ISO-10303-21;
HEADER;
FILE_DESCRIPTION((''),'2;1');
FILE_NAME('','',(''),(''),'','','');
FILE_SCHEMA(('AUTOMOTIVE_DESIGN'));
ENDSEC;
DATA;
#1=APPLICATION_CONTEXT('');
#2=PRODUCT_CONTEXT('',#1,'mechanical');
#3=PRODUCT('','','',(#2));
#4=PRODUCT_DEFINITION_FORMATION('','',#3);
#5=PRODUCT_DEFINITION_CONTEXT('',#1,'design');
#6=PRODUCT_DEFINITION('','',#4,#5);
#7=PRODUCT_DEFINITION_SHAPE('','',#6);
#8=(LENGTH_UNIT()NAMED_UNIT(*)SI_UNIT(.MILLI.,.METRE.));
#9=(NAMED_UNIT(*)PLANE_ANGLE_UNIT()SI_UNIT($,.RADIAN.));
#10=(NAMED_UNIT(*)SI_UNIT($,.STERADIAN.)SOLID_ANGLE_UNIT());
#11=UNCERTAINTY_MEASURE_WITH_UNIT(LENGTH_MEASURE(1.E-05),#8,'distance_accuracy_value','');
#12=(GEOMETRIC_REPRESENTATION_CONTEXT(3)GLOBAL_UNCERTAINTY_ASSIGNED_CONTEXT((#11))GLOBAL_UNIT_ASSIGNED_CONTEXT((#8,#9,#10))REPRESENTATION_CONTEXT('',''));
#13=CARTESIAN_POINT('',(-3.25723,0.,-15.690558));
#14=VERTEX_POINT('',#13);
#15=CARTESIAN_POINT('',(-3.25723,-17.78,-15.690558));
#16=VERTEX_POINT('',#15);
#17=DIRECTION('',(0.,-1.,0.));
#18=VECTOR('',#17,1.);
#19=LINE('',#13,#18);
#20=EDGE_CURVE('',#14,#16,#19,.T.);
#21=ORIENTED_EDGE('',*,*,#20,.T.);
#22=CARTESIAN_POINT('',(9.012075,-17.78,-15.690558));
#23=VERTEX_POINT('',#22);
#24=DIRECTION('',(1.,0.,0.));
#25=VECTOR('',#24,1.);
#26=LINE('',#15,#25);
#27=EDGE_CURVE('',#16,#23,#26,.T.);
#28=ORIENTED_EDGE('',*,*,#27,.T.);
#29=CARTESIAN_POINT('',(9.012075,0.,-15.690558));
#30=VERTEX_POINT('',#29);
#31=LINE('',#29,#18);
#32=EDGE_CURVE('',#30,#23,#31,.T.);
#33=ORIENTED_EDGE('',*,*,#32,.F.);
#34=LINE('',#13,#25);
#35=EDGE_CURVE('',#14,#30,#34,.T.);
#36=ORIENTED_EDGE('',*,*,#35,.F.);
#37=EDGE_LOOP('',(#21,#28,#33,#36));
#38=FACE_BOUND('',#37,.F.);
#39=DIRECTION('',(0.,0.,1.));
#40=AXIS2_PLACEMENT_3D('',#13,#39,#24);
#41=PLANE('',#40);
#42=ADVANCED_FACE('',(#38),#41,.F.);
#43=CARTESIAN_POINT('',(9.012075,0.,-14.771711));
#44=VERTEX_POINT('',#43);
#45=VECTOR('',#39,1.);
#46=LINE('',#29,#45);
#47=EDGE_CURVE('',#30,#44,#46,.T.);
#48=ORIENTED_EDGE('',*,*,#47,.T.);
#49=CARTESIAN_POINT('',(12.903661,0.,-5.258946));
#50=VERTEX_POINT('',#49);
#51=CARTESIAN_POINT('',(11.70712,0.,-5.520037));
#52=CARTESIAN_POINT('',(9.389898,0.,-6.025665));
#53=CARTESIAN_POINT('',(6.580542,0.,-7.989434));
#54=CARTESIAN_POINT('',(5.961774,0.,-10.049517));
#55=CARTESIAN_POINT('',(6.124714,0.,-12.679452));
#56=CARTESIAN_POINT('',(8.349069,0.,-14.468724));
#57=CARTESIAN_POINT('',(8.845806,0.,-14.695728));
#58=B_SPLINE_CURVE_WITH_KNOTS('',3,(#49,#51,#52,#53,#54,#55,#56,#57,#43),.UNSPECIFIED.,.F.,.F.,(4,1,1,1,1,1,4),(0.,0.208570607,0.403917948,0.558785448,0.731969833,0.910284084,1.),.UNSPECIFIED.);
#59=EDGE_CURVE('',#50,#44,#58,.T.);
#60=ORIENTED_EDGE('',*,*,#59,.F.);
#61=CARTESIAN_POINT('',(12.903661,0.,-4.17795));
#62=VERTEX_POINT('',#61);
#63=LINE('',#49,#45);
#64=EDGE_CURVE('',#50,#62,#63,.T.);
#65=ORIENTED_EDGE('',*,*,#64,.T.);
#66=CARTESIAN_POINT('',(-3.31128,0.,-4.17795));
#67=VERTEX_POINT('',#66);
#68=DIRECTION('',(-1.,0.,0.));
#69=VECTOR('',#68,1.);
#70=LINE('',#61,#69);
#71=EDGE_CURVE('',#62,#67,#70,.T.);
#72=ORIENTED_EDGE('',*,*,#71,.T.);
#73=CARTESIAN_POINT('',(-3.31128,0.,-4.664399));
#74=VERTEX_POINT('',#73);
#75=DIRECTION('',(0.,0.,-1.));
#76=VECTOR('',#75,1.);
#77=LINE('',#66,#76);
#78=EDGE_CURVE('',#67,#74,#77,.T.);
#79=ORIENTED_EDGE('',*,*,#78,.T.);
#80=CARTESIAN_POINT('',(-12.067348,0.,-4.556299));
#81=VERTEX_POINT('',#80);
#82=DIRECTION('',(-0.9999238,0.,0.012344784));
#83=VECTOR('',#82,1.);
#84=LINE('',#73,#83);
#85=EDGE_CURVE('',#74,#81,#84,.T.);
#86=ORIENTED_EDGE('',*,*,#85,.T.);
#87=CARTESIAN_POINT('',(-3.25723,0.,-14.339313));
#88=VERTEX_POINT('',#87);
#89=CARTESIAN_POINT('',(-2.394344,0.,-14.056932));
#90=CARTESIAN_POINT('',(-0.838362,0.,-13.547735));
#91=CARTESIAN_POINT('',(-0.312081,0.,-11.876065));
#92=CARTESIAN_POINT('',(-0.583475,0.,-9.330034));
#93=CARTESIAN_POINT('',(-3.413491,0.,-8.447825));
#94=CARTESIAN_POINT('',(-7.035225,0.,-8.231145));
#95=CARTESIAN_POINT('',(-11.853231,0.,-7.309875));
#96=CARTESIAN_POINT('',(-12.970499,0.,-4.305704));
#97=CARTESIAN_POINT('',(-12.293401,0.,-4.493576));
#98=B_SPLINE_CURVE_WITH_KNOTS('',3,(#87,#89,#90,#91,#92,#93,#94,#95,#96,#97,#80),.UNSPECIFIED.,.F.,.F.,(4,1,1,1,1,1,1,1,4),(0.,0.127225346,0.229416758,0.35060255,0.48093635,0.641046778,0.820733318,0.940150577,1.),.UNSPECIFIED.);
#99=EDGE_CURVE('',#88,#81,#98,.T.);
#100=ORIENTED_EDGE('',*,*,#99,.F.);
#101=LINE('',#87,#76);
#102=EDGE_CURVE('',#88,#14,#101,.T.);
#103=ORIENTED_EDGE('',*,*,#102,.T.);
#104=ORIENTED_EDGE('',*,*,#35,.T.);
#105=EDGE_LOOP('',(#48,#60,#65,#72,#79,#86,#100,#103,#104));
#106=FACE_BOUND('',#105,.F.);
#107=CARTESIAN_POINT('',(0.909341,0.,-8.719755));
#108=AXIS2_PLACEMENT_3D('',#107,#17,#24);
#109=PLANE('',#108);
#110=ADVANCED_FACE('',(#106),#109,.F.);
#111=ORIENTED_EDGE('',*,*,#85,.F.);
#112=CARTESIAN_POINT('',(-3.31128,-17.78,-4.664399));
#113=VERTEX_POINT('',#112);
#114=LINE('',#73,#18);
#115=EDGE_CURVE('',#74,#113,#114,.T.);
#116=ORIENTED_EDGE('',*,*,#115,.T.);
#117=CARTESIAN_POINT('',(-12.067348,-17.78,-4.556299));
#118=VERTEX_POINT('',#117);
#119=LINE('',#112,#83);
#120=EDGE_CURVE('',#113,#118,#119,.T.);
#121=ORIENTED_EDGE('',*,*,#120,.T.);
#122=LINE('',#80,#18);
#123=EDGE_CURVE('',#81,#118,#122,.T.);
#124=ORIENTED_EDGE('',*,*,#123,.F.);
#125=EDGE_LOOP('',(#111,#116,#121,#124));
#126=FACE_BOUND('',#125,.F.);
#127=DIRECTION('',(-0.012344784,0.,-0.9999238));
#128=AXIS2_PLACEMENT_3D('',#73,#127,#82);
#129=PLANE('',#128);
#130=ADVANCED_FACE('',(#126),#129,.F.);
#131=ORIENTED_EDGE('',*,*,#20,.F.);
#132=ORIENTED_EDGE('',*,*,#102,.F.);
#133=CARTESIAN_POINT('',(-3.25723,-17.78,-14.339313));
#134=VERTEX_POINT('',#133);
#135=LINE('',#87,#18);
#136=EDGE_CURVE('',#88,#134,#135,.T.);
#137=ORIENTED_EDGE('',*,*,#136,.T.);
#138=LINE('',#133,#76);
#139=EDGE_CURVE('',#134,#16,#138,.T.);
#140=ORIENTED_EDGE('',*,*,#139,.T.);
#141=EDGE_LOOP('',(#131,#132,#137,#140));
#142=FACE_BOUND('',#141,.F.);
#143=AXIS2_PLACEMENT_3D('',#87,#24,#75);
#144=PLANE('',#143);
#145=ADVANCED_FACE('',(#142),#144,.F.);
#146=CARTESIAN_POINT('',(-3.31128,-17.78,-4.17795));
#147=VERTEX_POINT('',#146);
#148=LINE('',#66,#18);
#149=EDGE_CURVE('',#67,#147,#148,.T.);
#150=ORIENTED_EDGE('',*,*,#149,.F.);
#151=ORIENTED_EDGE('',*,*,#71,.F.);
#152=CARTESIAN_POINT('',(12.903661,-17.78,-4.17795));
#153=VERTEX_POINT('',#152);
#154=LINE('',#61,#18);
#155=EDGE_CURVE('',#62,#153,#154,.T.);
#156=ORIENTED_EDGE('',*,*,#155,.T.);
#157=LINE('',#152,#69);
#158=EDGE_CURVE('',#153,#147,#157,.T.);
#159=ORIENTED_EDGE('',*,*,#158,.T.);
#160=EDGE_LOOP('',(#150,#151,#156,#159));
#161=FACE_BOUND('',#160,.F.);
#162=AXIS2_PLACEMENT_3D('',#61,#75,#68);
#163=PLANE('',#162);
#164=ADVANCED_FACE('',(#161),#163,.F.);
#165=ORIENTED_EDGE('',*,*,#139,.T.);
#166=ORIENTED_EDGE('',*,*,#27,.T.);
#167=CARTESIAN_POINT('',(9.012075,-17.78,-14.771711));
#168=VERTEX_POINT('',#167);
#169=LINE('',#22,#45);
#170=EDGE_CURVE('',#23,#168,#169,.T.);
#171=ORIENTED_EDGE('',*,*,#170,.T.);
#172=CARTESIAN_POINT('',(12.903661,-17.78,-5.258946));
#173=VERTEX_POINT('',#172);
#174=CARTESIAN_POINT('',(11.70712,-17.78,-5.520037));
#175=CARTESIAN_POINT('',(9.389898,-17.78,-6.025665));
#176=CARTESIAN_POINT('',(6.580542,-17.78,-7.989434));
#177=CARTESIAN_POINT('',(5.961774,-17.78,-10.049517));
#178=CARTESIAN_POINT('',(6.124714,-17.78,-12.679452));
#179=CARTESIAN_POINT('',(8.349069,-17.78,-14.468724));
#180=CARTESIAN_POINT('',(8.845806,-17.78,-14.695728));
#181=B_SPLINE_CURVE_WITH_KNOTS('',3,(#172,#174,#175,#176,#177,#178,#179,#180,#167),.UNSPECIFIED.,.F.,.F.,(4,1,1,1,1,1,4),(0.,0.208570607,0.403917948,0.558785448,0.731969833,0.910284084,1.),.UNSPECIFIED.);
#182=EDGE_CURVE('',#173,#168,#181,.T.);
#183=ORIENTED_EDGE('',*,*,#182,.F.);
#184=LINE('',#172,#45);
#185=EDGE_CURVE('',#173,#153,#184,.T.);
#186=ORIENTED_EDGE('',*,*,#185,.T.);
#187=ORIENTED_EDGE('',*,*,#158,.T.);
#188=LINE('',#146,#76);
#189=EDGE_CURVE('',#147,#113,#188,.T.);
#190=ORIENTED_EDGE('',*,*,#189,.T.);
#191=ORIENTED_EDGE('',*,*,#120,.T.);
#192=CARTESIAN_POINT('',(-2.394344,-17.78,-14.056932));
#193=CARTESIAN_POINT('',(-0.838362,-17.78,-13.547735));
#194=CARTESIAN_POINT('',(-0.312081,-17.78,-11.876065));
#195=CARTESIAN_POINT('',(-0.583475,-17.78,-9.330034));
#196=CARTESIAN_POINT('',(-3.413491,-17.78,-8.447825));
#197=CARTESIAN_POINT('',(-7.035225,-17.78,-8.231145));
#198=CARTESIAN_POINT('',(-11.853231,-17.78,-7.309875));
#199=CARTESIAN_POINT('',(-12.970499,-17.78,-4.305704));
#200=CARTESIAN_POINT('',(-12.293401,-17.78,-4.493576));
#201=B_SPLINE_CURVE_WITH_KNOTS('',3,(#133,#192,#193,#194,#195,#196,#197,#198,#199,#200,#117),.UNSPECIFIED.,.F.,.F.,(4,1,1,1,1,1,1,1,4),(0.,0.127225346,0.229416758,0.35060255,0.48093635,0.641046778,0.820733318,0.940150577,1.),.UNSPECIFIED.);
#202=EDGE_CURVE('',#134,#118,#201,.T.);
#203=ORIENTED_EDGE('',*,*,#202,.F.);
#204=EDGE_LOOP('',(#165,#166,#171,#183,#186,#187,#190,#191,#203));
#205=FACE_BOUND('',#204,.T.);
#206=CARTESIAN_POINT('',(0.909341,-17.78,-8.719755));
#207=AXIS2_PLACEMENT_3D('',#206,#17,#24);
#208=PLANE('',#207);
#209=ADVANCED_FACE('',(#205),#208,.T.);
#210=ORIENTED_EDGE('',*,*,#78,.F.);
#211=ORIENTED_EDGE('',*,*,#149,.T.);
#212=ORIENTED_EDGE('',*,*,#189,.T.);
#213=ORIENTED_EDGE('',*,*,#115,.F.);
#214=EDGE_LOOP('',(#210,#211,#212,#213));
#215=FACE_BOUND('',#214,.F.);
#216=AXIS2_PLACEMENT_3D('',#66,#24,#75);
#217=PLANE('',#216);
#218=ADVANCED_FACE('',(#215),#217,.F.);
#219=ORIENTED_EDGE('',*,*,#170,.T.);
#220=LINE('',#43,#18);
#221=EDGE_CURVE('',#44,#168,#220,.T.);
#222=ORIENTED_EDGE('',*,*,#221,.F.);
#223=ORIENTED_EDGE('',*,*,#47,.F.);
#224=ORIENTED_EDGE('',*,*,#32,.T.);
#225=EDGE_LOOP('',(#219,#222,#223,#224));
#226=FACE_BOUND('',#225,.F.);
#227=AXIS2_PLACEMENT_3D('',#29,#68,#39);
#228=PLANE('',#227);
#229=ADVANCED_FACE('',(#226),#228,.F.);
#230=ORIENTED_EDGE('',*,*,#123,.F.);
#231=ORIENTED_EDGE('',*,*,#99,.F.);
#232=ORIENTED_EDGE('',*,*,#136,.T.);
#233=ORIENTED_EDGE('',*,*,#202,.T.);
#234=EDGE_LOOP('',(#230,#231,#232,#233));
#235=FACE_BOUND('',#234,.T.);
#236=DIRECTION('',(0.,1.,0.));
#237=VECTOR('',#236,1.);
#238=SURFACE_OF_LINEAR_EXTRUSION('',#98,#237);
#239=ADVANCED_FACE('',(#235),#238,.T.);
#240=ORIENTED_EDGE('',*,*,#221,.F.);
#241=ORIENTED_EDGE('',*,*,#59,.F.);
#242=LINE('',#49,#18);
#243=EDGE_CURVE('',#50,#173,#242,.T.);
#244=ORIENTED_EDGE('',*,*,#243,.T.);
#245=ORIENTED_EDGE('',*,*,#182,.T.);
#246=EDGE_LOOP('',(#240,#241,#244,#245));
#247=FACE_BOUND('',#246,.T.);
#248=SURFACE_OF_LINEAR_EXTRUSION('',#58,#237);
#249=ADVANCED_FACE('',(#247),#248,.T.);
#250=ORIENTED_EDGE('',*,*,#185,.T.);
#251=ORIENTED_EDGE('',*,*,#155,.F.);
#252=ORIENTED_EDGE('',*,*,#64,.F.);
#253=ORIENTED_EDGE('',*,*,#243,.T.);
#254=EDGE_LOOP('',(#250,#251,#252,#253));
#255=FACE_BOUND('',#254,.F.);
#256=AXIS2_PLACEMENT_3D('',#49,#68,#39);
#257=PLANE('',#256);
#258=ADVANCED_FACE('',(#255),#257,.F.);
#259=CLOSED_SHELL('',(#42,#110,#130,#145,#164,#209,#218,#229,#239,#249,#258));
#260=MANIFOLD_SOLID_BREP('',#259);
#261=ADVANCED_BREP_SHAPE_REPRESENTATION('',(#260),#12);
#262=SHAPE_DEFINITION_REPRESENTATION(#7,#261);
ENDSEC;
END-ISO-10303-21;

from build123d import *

# Parameters (mm, degrees)
F1_DEPTH = 17.78


with BuildPart() as f1:
    # F0 (on Front) → F1 (new body)
    with BuildSketch(Plane.XZ):
        with BuildLine():
            Line((12.9036614671, -4.1779503226), (-3.3112796955, -4.1779503226))
            Line((-3.3112796955, -4.1779503226), (-3.3112796955, -4.6643987298))
            Line((-3.3112796955, -4.6643987298), (-12.067347765, -4.5562987216))
            add(Edge.make_bspline(
                [(-3.2572299242, -14.339312911), (-2.3943444586, -14.0569322422), (-0.8383621534, -13.5477345078), (-0.3120807277, -11.8760652032), (-0.5834745599, -9.3300342195), (-3.4134914888, -8.4478249187), (-7.0352254827, -8.231145475), (-11.8532306645, -7.3098753851), (-12.9704988677, -4.3057035635), (-12.2934014322, -4.4935761558), (-12.067347765, -4.5562987216)],
                knots=[0, 0, 0, 0, 0.1272253455, 0.2294167583, 0.3506025502, 0.4809363495, 0.6410467779, 0.8207333184, 0.9401505771, 1, 1, 1, 1], degree=3))
            Line((-3.2572299242, -14.339312911), (-3.2572299242, -15.6905576587))
            Line((-3.2572299242, -15.6905576587), (9.0120751411, -15.6905576587))
            Line((9.0120751411, -15.6905576587), (9.0120751411, -14.7717110813))
            add(Edge.make_bspline(
                [(12.9036614671, -5.2589462139), (11.7071202824, -5.5200367573), (9.3898979864, -6.0256648427), (6.5805422305, -7.9894340298), (5.9617744864, -10.0495174792), (6.1247142755, -12.6794516813), (8.3490692568, -14.4687237259), (8.8458058705, -14.695727613), (9.0120751411, -14.7717110813)],
                knots=[0, 0, 0, 0, 0.2085706068, 0.4039179483, 0.5587854477, 0.7319698332, 0.9102840839, 1, 1, 1, 1], degree=3))
            Line((12.9036614671, -5.2589462139), (12.9036614671, -4.1779503226))
        make_face()
    extrude(amount=F1_DEPTH)


solid = f1.part
